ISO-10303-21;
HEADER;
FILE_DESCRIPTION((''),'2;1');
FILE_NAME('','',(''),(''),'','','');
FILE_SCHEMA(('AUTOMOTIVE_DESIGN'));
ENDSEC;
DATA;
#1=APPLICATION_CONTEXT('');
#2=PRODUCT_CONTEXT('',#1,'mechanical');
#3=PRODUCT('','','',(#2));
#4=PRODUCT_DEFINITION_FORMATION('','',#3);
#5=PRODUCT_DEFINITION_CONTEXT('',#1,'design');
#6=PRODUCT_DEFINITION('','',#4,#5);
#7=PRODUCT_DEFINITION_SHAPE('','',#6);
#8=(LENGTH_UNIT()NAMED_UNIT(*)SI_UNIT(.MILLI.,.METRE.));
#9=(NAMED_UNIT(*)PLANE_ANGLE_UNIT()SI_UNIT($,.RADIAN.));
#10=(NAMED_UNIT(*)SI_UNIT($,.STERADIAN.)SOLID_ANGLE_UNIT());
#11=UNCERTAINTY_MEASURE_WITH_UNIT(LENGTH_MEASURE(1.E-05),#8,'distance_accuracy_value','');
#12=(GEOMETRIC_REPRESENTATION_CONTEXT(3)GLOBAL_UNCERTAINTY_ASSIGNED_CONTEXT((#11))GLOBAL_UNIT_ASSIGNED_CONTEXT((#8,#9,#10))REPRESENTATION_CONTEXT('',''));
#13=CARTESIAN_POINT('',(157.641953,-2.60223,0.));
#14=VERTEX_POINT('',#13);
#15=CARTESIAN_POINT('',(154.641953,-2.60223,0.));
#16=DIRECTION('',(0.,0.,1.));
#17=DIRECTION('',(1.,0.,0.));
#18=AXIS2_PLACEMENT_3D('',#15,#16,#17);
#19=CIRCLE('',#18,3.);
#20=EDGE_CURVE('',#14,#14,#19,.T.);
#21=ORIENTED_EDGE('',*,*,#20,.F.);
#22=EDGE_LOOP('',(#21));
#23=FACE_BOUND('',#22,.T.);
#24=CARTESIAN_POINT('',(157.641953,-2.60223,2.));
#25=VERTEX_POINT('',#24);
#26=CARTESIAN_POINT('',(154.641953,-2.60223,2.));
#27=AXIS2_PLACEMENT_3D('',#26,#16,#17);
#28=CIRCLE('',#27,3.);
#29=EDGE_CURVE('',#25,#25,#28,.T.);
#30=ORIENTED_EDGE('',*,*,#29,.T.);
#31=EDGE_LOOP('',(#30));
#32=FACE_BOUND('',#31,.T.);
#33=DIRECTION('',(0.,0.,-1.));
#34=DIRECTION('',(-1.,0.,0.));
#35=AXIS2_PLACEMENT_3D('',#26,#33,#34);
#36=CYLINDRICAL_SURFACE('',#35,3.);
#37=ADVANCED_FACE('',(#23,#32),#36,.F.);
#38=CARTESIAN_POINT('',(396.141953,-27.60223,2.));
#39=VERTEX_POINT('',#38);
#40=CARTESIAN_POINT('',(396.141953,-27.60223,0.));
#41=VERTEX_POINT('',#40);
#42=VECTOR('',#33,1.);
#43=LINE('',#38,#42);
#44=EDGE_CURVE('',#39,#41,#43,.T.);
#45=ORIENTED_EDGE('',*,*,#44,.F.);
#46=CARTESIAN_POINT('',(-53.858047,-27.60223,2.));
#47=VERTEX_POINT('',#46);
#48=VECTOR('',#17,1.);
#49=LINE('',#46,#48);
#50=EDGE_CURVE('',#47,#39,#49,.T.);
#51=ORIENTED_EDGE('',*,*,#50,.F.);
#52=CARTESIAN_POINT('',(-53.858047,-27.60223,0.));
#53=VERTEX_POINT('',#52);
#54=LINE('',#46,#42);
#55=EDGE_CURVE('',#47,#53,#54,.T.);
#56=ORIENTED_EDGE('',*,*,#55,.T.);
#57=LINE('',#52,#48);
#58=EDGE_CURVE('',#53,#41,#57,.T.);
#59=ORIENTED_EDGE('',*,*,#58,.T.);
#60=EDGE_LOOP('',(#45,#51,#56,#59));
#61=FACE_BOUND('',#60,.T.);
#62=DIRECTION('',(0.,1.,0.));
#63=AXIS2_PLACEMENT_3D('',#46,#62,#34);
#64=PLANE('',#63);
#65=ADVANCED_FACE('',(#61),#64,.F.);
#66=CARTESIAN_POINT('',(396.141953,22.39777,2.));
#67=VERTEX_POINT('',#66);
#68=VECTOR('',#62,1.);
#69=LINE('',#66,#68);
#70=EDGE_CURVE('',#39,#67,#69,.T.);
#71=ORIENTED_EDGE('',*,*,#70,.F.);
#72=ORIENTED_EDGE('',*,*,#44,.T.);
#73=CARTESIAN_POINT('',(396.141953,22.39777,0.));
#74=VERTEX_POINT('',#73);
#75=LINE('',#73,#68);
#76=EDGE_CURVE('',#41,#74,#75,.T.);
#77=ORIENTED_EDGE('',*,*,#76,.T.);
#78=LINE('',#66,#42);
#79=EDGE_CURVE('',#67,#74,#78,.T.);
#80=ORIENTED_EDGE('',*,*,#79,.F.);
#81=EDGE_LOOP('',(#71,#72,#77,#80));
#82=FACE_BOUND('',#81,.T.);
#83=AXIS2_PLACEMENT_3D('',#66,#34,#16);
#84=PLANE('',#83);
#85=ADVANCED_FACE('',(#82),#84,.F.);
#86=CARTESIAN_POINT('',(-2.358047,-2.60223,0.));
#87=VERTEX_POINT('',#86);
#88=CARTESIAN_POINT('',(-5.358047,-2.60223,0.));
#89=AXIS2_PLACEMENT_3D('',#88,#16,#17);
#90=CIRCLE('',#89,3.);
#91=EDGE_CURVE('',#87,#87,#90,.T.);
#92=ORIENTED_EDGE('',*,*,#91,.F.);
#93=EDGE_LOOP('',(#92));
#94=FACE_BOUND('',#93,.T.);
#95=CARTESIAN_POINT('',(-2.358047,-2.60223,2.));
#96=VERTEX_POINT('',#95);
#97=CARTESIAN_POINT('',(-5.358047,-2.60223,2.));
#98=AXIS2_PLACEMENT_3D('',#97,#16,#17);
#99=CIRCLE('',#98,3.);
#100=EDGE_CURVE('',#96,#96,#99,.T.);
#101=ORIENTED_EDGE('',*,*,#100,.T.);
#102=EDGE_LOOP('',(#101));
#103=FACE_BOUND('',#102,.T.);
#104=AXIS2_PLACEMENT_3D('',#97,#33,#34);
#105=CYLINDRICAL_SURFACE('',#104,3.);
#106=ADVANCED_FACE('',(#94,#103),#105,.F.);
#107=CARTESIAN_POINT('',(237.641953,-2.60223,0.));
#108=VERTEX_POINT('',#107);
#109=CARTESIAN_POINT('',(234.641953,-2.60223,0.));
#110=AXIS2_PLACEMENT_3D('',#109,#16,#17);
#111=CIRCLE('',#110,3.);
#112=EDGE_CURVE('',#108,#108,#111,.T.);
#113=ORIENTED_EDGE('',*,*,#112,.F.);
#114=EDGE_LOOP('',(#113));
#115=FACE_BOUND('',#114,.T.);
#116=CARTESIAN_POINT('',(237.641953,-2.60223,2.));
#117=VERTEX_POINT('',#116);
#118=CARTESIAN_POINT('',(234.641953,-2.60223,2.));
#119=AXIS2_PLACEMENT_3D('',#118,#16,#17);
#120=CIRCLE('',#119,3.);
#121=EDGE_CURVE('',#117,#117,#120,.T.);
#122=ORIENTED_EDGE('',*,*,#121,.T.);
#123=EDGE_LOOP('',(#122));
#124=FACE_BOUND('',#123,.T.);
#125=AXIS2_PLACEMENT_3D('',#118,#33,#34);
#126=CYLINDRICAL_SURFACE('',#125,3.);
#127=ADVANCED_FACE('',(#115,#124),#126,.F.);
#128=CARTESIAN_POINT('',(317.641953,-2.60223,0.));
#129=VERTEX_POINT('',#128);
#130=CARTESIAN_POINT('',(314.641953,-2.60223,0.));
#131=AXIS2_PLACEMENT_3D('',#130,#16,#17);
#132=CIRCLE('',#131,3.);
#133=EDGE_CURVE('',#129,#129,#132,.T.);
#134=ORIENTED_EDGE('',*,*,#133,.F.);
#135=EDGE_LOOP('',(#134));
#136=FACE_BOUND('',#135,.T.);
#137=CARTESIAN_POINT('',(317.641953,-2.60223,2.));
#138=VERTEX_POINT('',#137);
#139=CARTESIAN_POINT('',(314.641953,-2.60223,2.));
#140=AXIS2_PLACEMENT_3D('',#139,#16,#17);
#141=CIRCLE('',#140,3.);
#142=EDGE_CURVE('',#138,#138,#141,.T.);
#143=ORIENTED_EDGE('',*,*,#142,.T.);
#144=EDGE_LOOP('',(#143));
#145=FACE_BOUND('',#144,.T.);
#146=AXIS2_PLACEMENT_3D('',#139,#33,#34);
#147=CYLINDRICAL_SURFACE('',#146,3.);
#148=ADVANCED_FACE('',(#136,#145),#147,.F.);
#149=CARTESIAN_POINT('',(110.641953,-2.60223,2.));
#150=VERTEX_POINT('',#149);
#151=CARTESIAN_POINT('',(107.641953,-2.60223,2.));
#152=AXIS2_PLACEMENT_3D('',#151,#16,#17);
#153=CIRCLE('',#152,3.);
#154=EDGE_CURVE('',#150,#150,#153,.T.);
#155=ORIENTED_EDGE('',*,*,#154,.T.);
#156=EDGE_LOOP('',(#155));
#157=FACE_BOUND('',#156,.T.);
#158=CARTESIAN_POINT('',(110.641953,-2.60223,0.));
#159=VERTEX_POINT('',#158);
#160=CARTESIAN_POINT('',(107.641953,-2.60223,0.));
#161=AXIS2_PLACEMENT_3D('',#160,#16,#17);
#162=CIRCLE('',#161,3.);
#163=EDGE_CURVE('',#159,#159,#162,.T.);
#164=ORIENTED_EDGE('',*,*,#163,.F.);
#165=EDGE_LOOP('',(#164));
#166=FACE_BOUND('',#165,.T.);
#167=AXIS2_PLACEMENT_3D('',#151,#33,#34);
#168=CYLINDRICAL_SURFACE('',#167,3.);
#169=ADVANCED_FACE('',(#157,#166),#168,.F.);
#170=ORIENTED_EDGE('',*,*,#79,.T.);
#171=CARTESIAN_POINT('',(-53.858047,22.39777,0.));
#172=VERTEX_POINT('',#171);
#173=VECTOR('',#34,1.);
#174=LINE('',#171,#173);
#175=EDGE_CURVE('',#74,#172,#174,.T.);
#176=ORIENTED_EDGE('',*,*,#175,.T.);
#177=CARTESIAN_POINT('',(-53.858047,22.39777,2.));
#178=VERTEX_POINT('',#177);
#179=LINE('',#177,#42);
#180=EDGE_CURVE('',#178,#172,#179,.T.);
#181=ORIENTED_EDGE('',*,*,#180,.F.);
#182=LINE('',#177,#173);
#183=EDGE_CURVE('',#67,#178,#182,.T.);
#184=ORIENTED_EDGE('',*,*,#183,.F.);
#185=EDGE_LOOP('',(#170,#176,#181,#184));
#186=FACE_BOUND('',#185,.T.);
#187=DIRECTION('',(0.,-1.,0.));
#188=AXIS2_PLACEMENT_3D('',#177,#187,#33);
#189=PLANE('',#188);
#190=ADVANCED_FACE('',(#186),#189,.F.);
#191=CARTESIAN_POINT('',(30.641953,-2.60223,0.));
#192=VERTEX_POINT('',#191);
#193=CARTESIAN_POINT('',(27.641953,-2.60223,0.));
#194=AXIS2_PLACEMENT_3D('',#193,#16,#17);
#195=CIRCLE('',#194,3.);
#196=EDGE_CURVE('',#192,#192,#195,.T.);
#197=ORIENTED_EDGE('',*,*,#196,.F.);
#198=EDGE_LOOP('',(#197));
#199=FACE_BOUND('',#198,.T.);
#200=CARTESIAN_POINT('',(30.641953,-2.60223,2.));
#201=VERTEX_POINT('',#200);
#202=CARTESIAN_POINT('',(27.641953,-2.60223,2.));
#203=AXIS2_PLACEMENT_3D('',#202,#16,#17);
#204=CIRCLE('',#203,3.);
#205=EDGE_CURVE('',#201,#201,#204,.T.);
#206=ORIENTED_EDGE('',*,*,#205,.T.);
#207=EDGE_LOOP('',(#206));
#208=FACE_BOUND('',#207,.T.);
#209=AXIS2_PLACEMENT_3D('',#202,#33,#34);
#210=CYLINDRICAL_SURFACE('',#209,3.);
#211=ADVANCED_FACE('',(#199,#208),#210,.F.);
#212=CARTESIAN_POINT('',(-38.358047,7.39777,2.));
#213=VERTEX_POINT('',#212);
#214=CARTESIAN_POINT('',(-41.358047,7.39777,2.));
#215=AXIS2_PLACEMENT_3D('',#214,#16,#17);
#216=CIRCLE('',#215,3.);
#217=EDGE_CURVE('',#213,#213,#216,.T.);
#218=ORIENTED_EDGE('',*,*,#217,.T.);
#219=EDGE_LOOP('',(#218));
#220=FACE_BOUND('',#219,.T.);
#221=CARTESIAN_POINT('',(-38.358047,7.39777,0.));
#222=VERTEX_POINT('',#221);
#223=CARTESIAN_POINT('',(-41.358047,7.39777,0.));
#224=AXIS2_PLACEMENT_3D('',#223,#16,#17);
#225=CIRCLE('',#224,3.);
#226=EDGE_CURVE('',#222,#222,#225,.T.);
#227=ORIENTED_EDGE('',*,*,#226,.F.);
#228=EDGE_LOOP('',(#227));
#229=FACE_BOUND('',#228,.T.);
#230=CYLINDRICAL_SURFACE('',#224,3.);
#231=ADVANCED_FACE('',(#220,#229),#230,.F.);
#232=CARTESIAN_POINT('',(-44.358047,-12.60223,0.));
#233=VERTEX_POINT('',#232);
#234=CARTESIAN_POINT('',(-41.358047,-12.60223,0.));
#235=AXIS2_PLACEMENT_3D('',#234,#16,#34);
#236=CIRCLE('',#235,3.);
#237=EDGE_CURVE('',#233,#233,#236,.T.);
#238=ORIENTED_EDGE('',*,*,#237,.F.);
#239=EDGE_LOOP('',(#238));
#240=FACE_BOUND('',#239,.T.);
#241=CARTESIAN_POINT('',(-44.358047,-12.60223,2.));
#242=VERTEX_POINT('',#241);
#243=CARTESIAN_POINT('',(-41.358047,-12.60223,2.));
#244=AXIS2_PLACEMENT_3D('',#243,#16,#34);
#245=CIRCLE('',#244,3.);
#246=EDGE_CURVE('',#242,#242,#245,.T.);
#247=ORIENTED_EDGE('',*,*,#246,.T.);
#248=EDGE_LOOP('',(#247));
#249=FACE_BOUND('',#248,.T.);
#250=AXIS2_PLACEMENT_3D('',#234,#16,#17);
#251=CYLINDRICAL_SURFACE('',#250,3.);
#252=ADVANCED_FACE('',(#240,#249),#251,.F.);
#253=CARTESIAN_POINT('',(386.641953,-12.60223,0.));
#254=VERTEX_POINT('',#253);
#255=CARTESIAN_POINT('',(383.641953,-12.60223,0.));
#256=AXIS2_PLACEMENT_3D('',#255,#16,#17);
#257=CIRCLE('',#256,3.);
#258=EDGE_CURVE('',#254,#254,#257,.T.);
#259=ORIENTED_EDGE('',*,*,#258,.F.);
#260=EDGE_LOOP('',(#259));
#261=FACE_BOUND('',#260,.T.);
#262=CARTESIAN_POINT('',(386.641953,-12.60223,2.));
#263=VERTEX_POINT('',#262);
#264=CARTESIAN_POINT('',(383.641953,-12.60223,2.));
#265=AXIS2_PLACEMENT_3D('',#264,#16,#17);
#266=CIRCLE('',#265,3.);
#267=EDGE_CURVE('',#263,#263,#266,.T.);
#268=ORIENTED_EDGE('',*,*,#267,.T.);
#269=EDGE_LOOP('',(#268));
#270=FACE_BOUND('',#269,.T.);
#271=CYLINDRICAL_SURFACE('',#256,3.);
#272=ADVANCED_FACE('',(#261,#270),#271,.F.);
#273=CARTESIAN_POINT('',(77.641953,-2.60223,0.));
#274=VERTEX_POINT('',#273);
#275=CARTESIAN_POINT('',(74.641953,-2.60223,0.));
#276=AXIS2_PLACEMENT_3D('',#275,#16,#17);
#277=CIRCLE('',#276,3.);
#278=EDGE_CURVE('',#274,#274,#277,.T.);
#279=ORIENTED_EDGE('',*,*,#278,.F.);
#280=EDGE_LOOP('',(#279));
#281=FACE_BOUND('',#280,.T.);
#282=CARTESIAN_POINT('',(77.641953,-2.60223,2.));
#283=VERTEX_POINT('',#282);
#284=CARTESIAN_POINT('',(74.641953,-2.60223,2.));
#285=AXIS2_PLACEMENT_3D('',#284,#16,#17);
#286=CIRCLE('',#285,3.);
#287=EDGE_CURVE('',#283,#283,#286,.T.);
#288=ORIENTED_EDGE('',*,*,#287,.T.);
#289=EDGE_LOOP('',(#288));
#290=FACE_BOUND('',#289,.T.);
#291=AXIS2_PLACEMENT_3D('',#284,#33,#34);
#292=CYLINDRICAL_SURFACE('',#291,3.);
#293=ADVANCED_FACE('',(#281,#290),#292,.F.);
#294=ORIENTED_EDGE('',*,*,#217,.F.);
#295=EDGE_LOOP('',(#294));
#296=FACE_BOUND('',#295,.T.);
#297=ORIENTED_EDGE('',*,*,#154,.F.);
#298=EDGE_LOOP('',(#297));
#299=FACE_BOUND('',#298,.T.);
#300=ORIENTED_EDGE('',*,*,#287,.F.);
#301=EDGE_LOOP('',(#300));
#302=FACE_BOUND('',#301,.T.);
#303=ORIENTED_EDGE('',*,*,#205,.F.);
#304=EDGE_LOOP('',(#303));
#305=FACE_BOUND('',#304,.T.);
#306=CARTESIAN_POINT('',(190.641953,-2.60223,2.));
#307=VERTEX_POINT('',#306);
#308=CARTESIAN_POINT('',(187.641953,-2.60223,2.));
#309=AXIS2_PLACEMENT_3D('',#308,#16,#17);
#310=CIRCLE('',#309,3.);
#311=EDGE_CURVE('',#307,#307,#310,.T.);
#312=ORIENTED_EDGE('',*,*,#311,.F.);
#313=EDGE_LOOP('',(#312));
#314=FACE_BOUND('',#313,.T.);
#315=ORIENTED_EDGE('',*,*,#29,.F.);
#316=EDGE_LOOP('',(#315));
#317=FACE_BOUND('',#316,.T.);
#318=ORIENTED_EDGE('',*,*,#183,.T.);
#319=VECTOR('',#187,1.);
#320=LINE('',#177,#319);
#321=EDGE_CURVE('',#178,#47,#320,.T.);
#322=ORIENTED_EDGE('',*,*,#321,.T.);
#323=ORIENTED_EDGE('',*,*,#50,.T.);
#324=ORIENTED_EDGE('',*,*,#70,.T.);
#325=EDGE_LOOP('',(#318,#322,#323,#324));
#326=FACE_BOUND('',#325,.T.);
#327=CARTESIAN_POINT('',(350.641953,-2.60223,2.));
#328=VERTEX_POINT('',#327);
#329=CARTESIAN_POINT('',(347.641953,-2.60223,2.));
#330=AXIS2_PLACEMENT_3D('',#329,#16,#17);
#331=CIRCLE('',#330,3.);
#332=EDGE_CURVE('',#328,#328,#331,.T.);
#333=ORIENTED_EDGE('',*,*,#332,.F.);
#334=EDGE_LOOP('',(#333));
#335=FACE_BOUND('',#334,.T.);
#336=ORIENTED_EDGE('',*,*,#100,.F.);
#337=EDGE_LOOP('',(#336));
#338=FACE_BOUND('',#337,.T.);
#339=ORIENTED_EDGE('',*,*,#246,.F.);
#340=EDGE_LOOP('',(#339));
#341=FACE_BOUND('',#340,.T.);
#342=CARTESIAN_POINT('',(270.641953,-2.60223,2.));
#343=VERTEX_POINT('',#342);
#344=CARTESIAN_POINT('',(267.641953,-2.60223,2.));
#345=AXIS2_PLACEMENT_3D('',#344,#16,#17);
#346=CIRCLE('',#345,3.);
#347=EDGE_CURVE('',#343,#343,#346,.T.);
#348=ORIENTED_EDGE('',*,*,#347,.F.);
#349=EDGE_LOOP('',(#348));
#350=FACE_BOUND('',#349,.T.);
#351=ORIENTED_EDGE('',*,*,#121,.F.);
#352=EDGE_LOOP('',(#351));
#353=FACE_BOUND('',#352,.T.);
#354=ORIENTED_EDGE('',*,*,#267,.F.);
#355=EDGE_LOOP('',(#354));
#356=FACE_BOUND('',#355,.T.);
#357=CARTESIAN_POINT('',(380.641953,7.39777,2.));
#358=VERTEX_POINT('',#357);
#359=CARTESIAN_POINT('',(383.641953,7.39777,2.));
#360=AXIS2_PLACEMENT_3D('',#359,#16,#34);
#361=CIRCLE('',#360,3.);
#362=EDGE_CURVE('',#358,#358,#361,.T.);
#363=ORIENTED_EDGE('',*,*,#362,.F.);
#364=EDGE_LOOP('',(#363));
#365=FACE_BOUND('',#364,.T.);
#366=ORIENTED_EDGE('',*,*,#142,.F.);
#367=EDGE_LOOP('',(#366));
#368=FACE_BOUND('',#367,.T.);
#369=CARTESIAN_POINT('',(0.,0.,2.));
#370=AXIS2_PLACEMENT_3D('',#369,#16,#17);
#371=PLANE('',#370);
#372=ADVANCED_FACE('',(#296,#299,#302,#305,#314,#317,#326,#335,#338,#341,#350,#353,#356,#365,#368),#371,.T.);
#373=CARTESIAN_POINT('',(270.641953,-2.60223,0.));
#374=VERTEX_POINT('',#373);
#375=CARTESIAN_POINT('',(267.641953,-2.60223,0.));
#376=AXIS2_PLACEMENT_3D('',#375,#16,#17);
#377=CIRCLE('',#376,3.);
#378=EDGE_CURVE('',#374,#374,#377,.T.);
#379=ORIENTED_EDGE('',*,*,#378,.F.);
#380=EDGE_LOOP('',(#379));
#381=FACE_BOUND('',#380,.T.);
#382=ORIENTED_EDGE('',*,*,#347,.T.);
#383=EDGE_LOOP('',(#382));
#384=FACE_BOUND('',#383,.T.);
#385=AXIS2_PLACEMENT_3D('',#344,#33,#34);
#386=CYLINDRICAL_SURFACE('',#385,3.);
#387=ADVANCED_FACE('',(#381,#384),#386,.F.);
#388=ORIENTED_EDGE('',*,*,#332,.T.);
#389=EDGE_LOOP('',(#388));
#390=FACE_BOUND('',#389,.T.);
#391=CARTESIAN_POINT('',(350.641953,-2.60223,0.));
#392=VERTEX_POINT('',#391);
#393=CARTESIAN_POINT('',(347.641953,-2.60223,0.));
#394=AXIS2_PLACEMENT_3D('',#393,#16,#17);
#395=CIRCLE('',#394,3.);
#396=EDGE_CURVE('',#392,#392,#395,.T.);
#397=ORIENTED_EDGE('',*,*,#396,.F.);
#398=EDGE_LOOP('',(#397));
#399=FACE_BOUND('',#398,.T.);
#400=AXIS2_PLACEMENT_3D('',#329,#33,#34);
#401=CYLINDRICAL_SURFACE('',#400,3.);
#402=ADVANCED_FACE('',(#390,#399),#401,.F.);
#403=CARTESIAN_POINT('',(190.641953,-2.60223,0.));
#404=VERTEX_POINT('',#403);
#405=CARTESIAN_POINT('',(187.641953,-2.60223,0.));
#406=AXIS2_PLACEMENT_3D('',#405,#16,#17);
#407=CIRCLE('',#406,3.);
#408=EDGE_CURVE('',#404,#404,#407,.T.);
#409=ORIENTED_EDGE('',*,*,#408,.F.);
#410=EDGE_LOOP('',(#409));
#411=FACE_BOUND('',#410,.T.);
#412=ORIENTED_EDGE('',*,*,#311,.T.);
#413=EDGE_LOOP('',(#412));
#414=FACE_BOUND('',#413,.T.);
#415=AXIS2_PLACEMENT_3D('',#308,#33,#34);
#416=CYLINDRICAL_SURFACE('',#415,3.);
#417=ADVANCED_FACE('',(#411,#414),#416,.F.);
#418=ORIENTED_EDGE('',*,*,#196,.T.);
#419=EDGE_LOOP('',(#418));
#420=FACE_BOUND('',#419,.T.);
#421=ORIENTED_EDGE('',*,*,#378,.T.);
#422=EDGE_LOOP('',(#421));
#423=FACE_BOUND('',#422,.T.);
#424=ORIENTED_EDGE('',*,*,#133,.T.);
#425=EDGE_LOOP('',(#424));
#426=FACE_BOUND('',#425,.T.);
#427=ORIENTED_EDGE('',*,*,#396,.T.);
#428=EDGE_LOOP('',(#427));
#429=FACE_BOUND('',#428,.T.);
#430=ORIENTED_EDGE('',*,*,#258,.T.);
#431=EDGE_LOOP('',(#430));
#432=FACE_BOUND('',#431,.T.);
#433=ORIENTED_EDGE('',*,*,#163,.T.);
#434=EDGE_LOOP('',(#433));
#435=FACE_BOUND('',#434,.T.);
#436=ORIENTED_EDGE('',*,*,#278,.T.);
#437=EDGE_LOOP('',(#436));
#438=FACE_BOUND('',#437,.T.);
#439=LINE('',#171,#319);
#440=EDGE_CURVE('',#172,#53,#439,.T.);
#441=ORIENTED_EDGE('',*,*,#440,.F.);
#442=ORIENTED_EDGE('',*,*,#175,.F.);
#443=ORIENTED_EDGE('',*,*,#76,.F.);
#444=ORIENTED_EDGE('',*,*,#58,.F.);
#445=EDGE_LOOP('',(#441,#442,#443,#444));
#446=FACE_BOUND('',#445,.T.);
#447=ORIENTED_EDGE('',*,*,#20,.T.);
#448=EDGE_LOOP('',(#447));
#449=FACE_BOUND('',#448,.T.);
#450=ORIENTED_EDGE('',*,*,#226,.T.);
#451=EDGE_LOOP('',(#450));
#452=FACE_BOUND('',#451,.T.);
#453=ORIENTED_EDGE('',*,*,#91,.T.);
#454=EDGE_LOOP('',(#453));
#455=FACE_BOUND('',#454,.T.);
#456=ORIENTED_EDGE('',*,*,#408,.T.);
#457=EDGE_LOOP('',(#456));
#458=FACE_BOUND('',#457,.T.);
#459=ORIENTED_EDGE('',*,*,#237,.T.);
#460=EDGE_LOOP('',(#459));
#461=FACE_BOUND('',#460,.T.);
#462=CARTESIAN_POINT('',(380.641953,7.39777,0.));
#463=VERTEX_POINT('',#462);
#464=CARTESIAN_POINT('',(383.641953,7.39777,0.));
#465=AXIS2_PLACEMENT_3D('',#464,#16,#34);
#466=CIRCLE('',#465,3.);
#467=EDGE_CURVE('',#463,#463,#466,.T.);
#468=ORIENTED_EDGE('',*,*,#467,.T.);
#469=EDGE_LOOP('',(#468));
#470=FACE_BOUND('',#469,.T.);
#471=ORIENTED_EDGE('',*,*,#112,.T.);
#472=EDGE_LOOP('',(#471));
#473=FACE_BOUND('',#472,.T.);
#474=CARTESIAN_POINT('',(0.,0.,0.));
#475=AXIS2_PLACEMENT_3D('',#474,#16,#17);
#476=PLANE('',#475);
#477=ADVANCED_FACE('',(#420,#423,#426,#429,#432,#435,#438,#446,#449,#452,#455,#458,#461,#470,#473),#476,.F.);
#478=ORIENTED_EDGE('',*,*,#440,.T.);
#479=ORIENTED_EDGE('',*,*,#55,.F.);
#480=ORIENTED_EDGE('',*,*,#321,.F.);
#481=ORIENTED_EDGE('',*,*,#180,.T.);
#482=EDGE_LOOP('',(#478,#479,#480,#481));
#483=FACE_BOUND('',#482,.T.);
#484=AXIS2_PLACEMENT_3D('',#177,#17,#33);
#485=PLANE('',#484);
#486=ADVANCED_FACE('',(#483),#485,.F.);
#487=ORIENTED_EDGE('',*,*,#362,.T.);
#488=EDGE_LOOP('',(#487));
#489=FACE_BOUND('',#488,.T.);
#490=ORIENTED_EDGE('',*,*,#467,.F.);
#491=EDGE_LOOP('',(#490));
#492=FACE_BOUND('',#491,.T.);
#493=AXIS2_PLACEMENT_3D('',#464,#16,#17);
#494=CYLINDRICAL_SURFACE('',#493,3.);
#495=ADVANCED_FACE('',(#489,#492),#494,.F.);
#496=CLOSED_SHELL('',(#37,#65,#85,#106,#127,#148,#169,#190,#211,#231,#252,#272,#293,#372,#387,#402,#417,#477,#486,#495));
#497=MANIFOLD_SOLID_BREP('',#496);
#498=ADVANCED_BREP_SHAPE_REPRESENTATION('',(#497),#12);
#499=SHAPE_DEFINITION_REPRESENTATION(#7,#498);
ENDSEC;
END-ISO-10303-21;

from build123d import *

# Parameters (mm, degrees)
SKETCH_1_W          = 450
SKETCH_1_H          = 50
SKETCH_1_R          = 3
EXTRUDE_1_DEPTH     = 2
SKETCH_2_R          = 3
CUT_EXTRUDE_1_DEPTH = 3


with BuildPart() as part:
    # Эскиз1 → Бобышка-Вытянуть1 (new body)
    with BuildSketch(Plane.XY):
        with Locations((171.141952991, -2.602230483)):
            Rectangle(SKETCH_1_W, SKETCH_1_H)
        with Locations((-5.358047009, -2.602230483)):
            Circle(SKETCH_1_R, mode=Mode.SUBTRACT)
        with Locations((27.641952991, -2.602230483)):
            Circle(SKETCH_1_R, mode=Mode.SUBTRACT)
        with Locations((74.641952991, -2.602230483)):
            Circle(SKETCH_1_R, mode=Mode.SUBTRACT)
        with Locations((107.641952991, -2.602230483)):
            Circle(SKETCH_1_R, mode=Mode.SUBTRACT)
        with Locations((154.641952991, -2.602230483)):
            Circle(SKETCH_1_R, mode=Mode.SUBTRACT)
        with Locations((187.641952991, -2.602230483)):
            Circle(SKETCH_1_R, mode=Mode.SUBTRACT)
        with Locations((234.641952991, -2.602230483)):
            Circle(SKETCH_1_R, mode=Mode.SUBTRACT)
        with Locations((267.641952991, -2.602230483)):
            Circle(SKETCH_1_R, mode=Mode.SUBTRACT)
        with Locations((314.641952991, -2.602230483)):
            Circle(SKETCH_1_R, mode=Mode.SUBTRACT)
        with Locations((347.641952991, -2.602230483)):
            Circle(SKETCH_1_R, mode=Mode.SUBTRACT)
    extrude(amount=EXTRUDE_1_DEPTH)

    # Эскиз2 → Вырез-Вытянуть1 (cut, through all)
    with BuildSketch(Plane.XY.offset(2)):
        with Locations((-41.358047009, 7.397769517)):
            Circle(SKETCH_2_R)
        with Locations(Location((-41.358047009, -12.602230483, 0), (0, 0, 180))):  # turned: the seam where the file's is
            Circle(SKETCH_2_R)
        with Locations((383.641952991, -12.602230483)):
            Circle(SKETCH_2_R)
        with Locations(Location((383.641952991, 7.397769517, 0), (0, 0, 180))):  # turned: the seam where the file's is
            Circle(SKETCH_2_R)
    extrude(amount=-CUT_EXTRUDE_1_DEPTH, mode=Mode.SUBTRACT)


solid = part.part
